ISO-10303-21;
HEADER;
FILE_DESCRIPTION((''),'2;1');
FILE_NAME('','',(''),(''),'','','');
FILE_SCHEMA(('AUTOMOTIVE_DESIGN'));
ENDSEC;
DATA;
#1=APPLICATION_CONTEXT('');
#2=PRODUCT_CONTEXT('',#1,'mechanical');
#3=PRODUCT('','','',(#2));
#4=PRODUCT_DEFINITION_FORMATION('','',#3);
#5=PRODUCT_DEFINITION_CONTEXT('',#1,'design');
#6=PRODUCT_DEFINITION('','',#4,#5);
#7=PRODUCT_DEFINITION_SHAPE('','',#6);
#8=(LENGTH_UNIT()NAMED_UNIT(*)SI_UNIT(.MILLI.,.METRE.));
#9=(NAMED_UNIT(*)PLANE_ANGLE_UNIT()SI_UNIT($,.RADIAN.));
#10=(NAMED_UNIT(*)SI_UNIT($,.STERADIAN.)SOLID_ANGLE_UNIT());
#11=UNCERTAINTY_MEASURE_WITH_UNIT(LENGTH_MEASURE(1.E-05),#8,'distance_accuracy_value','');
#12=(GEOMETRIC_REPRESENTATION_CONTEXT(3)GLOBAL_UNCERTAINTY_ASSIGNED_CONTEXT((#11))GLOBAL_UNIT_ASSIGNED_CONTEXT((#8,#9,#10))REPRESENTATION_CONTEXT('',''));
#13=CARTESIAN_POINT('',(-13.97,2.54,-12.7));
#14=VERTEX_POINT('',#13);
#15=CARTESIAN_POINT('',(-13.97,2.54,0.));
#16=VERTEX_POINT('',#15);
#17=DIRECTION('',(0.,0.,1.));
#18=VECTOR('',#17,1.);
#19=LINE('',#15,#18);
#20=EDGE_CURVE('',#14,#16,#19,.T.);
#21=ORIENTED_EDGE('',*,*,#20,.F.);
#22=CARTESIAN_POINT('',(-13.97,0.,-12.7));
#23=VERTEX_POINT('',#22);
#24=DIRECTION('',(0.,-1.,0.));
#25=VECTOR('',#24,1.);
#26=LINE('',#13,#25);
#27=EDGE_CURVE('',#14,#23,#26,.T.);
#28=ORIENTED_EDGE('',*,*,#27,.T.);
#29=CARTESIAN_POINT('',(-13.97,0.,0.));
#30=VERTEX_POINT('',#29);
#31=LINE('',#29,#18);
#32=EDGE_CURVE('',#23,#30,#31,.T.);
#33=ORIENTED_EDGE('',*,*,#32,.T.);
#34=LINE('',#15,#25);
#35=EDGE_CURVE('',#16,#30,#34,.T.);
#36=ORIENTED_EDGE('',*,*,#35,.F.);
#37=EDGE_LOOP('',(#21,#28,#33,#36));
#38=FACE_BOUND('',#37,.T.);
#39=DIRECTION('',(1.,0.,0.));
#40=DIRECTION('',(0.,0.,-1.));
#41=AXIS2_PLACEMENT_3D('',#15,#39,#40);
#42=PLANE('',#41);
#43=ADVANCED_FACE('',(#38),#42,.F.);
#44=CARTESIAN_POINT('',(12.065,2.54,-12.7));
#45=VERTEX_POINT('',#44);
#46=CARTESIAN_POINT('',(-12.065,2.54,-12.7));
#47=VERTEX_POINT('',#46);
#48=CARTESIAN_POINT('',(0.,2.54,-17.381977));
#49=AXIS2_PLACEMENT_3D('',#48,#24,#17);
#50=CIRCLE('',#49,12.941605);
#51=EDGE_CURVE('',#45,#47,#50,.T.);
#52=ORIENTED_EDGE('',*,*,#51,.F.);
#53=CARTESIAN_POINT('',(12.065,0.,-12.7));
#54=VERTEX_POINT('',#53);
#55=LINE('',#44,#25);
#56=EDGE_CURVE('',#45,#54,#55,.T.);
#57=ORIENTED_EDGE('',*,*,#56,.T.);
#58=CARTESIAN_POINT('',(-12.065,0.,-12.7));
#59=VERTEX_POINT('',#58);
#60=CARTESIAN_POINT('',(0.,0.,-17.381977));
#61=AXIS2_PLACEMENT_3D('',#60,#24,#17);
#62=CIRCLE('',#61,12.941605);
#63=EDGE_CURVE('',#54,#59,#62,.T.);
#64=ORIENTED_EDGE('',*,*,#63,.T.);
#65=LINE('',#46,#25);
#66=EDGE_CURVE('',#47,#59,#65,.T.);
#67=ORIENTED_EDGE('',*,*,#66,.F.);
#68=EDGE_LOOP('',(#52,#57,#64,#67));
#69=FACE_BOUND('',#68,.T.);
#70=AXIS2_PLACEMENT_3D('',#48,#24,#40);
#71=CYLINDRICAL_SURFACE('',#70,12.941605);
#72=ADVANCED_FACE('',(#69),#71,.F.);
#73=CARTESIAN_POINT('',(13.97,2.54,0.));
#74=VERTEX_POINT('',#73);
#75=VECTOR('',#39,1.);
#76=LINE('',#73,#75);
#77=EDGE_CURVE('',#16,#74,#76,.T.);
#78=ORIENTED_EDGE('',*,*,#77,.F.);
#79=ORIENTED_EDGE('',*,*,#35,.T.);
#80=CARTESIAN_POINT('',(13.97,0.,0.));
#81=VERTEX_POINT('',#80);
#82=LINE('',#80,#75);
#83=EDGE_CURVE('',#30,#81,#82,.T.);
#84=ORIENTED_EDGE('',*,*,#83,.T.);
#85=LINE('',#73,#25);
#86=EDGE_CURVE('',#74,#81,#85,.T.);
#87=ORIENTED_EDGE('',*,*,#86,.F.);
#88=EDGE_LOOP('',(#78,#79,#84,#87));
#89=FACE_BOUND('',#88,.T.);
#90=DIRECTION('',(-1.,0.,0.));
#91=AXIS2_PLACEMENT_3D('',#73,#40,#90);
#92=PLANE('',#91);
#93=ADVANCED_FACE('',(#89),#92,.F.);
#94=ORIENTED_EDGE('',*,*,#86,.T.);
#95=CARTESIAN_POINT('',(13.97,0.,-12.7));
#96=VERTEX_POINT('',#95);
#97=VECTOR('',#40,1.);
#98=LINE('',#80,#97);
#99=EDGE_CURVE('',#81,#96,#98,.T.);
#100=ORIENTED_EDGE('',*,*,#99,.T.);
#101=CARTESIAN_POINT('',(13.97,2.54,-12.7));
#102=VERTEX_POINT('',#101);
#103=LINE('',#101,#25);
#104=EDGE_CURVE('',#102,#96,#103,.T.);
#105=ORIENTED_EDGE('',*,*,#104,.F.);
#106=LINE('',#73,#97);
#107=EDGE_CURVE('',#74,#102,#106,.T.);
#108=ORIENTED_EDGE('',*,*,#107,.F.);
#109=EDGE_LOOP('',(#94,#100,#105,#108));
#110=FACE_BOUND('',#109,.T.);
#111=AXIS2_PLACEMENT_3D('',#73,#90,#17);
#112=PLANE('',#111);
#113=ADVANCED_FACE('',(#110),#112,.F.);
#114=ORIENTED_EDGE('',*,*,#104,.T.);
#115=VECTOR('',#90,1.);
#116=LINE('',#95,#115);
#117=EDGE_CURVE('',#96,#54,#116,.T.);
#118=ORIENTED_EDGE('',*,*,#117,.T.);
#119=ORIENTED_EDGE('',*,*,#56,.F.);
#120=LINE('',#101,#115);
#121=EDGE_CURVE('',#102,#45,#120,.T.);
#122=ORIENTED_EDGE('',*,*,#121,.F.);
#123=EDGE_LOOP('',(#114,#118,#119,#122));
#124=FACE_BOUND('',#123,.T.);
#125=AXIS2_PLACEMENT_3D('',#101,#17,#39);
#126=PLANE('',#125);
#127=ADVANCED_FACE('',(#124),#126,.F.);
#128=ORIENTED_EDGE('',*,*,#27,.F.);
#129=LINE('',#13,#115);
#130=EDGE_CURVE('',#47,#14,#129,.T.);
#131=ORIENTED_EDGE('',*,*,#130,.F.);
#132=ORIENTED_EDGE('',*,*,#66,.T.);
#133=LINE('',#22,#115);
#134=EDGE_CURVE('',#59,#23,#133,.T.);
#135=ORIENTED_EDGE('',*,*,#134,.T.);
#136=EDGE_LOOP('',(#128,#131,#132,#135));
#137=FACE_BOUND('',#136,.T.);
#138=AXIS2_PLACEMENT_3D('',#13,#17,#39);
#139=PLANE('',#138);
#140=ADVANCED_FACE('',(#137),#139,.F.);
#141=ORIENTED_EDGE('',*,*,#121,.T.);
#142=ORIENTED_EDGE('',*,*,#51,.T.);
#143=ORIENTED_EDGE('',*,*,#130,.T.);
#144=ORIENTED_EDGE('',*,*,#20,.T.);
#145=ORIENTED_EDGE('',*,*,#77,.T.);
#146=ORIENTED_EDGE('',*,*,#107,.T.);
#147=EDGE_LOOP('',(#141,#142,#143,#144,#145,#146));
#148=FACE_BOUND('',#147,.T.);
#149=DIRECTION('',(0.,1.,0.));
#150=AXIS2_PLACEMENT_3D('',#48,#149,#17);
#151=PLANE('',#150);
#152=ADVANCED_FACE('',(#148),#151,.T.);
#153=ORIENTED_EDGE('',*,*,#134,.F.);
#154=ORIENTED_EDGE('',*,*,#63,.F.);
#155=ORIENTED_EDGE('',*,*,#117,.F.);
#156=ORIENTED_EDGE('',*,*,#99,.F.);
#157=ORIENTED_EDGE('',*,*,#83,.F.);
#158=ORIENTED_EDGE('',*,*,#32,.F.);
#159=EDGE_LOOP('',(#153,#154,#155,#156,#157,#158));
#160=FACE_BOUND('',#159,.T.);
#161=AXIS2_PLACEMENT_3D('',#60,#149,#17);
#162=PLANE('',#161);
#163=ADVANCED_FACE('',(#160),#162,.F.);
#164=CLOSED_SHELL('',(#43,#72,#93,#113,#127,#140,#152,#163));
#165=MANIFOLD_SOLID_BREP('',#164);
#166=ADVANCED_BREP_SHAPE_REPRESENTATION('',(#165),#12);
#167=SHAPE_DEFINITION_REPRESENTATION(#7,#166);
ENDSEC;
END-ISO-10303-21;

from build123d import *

# Parameters (mm, degrees)
BOSS_EXTRUDE1_DEPTH = 2.54


with BuildPart() as part:
    # Sketch1 → Boss-Extrude1 (new body)
    with BuildSketch(Plane(origin=(0, 0, 0), x_dir=(1, 0, 0), z_dir=(0, 1, 0))):
        with BuildLine():
            Line((13.97, 0), (-13.97, 0))
            Line((-13.97, 0), (-13.97, 12.7))
            Line((-13.97, 12.7), (-12.065, 12.7))
            ThreePointArc((-12.065, 12.7), (0, 4.44037227), (12.065, 12.7))
            Line((12.065, 12.7), (13.97, 12.7))
            Line((13.97, 12.7), (13.97, 0))
        make_face()
    extrude(amount=BOSS_EXTRUDE1_DEPTH)


solid = part.part
